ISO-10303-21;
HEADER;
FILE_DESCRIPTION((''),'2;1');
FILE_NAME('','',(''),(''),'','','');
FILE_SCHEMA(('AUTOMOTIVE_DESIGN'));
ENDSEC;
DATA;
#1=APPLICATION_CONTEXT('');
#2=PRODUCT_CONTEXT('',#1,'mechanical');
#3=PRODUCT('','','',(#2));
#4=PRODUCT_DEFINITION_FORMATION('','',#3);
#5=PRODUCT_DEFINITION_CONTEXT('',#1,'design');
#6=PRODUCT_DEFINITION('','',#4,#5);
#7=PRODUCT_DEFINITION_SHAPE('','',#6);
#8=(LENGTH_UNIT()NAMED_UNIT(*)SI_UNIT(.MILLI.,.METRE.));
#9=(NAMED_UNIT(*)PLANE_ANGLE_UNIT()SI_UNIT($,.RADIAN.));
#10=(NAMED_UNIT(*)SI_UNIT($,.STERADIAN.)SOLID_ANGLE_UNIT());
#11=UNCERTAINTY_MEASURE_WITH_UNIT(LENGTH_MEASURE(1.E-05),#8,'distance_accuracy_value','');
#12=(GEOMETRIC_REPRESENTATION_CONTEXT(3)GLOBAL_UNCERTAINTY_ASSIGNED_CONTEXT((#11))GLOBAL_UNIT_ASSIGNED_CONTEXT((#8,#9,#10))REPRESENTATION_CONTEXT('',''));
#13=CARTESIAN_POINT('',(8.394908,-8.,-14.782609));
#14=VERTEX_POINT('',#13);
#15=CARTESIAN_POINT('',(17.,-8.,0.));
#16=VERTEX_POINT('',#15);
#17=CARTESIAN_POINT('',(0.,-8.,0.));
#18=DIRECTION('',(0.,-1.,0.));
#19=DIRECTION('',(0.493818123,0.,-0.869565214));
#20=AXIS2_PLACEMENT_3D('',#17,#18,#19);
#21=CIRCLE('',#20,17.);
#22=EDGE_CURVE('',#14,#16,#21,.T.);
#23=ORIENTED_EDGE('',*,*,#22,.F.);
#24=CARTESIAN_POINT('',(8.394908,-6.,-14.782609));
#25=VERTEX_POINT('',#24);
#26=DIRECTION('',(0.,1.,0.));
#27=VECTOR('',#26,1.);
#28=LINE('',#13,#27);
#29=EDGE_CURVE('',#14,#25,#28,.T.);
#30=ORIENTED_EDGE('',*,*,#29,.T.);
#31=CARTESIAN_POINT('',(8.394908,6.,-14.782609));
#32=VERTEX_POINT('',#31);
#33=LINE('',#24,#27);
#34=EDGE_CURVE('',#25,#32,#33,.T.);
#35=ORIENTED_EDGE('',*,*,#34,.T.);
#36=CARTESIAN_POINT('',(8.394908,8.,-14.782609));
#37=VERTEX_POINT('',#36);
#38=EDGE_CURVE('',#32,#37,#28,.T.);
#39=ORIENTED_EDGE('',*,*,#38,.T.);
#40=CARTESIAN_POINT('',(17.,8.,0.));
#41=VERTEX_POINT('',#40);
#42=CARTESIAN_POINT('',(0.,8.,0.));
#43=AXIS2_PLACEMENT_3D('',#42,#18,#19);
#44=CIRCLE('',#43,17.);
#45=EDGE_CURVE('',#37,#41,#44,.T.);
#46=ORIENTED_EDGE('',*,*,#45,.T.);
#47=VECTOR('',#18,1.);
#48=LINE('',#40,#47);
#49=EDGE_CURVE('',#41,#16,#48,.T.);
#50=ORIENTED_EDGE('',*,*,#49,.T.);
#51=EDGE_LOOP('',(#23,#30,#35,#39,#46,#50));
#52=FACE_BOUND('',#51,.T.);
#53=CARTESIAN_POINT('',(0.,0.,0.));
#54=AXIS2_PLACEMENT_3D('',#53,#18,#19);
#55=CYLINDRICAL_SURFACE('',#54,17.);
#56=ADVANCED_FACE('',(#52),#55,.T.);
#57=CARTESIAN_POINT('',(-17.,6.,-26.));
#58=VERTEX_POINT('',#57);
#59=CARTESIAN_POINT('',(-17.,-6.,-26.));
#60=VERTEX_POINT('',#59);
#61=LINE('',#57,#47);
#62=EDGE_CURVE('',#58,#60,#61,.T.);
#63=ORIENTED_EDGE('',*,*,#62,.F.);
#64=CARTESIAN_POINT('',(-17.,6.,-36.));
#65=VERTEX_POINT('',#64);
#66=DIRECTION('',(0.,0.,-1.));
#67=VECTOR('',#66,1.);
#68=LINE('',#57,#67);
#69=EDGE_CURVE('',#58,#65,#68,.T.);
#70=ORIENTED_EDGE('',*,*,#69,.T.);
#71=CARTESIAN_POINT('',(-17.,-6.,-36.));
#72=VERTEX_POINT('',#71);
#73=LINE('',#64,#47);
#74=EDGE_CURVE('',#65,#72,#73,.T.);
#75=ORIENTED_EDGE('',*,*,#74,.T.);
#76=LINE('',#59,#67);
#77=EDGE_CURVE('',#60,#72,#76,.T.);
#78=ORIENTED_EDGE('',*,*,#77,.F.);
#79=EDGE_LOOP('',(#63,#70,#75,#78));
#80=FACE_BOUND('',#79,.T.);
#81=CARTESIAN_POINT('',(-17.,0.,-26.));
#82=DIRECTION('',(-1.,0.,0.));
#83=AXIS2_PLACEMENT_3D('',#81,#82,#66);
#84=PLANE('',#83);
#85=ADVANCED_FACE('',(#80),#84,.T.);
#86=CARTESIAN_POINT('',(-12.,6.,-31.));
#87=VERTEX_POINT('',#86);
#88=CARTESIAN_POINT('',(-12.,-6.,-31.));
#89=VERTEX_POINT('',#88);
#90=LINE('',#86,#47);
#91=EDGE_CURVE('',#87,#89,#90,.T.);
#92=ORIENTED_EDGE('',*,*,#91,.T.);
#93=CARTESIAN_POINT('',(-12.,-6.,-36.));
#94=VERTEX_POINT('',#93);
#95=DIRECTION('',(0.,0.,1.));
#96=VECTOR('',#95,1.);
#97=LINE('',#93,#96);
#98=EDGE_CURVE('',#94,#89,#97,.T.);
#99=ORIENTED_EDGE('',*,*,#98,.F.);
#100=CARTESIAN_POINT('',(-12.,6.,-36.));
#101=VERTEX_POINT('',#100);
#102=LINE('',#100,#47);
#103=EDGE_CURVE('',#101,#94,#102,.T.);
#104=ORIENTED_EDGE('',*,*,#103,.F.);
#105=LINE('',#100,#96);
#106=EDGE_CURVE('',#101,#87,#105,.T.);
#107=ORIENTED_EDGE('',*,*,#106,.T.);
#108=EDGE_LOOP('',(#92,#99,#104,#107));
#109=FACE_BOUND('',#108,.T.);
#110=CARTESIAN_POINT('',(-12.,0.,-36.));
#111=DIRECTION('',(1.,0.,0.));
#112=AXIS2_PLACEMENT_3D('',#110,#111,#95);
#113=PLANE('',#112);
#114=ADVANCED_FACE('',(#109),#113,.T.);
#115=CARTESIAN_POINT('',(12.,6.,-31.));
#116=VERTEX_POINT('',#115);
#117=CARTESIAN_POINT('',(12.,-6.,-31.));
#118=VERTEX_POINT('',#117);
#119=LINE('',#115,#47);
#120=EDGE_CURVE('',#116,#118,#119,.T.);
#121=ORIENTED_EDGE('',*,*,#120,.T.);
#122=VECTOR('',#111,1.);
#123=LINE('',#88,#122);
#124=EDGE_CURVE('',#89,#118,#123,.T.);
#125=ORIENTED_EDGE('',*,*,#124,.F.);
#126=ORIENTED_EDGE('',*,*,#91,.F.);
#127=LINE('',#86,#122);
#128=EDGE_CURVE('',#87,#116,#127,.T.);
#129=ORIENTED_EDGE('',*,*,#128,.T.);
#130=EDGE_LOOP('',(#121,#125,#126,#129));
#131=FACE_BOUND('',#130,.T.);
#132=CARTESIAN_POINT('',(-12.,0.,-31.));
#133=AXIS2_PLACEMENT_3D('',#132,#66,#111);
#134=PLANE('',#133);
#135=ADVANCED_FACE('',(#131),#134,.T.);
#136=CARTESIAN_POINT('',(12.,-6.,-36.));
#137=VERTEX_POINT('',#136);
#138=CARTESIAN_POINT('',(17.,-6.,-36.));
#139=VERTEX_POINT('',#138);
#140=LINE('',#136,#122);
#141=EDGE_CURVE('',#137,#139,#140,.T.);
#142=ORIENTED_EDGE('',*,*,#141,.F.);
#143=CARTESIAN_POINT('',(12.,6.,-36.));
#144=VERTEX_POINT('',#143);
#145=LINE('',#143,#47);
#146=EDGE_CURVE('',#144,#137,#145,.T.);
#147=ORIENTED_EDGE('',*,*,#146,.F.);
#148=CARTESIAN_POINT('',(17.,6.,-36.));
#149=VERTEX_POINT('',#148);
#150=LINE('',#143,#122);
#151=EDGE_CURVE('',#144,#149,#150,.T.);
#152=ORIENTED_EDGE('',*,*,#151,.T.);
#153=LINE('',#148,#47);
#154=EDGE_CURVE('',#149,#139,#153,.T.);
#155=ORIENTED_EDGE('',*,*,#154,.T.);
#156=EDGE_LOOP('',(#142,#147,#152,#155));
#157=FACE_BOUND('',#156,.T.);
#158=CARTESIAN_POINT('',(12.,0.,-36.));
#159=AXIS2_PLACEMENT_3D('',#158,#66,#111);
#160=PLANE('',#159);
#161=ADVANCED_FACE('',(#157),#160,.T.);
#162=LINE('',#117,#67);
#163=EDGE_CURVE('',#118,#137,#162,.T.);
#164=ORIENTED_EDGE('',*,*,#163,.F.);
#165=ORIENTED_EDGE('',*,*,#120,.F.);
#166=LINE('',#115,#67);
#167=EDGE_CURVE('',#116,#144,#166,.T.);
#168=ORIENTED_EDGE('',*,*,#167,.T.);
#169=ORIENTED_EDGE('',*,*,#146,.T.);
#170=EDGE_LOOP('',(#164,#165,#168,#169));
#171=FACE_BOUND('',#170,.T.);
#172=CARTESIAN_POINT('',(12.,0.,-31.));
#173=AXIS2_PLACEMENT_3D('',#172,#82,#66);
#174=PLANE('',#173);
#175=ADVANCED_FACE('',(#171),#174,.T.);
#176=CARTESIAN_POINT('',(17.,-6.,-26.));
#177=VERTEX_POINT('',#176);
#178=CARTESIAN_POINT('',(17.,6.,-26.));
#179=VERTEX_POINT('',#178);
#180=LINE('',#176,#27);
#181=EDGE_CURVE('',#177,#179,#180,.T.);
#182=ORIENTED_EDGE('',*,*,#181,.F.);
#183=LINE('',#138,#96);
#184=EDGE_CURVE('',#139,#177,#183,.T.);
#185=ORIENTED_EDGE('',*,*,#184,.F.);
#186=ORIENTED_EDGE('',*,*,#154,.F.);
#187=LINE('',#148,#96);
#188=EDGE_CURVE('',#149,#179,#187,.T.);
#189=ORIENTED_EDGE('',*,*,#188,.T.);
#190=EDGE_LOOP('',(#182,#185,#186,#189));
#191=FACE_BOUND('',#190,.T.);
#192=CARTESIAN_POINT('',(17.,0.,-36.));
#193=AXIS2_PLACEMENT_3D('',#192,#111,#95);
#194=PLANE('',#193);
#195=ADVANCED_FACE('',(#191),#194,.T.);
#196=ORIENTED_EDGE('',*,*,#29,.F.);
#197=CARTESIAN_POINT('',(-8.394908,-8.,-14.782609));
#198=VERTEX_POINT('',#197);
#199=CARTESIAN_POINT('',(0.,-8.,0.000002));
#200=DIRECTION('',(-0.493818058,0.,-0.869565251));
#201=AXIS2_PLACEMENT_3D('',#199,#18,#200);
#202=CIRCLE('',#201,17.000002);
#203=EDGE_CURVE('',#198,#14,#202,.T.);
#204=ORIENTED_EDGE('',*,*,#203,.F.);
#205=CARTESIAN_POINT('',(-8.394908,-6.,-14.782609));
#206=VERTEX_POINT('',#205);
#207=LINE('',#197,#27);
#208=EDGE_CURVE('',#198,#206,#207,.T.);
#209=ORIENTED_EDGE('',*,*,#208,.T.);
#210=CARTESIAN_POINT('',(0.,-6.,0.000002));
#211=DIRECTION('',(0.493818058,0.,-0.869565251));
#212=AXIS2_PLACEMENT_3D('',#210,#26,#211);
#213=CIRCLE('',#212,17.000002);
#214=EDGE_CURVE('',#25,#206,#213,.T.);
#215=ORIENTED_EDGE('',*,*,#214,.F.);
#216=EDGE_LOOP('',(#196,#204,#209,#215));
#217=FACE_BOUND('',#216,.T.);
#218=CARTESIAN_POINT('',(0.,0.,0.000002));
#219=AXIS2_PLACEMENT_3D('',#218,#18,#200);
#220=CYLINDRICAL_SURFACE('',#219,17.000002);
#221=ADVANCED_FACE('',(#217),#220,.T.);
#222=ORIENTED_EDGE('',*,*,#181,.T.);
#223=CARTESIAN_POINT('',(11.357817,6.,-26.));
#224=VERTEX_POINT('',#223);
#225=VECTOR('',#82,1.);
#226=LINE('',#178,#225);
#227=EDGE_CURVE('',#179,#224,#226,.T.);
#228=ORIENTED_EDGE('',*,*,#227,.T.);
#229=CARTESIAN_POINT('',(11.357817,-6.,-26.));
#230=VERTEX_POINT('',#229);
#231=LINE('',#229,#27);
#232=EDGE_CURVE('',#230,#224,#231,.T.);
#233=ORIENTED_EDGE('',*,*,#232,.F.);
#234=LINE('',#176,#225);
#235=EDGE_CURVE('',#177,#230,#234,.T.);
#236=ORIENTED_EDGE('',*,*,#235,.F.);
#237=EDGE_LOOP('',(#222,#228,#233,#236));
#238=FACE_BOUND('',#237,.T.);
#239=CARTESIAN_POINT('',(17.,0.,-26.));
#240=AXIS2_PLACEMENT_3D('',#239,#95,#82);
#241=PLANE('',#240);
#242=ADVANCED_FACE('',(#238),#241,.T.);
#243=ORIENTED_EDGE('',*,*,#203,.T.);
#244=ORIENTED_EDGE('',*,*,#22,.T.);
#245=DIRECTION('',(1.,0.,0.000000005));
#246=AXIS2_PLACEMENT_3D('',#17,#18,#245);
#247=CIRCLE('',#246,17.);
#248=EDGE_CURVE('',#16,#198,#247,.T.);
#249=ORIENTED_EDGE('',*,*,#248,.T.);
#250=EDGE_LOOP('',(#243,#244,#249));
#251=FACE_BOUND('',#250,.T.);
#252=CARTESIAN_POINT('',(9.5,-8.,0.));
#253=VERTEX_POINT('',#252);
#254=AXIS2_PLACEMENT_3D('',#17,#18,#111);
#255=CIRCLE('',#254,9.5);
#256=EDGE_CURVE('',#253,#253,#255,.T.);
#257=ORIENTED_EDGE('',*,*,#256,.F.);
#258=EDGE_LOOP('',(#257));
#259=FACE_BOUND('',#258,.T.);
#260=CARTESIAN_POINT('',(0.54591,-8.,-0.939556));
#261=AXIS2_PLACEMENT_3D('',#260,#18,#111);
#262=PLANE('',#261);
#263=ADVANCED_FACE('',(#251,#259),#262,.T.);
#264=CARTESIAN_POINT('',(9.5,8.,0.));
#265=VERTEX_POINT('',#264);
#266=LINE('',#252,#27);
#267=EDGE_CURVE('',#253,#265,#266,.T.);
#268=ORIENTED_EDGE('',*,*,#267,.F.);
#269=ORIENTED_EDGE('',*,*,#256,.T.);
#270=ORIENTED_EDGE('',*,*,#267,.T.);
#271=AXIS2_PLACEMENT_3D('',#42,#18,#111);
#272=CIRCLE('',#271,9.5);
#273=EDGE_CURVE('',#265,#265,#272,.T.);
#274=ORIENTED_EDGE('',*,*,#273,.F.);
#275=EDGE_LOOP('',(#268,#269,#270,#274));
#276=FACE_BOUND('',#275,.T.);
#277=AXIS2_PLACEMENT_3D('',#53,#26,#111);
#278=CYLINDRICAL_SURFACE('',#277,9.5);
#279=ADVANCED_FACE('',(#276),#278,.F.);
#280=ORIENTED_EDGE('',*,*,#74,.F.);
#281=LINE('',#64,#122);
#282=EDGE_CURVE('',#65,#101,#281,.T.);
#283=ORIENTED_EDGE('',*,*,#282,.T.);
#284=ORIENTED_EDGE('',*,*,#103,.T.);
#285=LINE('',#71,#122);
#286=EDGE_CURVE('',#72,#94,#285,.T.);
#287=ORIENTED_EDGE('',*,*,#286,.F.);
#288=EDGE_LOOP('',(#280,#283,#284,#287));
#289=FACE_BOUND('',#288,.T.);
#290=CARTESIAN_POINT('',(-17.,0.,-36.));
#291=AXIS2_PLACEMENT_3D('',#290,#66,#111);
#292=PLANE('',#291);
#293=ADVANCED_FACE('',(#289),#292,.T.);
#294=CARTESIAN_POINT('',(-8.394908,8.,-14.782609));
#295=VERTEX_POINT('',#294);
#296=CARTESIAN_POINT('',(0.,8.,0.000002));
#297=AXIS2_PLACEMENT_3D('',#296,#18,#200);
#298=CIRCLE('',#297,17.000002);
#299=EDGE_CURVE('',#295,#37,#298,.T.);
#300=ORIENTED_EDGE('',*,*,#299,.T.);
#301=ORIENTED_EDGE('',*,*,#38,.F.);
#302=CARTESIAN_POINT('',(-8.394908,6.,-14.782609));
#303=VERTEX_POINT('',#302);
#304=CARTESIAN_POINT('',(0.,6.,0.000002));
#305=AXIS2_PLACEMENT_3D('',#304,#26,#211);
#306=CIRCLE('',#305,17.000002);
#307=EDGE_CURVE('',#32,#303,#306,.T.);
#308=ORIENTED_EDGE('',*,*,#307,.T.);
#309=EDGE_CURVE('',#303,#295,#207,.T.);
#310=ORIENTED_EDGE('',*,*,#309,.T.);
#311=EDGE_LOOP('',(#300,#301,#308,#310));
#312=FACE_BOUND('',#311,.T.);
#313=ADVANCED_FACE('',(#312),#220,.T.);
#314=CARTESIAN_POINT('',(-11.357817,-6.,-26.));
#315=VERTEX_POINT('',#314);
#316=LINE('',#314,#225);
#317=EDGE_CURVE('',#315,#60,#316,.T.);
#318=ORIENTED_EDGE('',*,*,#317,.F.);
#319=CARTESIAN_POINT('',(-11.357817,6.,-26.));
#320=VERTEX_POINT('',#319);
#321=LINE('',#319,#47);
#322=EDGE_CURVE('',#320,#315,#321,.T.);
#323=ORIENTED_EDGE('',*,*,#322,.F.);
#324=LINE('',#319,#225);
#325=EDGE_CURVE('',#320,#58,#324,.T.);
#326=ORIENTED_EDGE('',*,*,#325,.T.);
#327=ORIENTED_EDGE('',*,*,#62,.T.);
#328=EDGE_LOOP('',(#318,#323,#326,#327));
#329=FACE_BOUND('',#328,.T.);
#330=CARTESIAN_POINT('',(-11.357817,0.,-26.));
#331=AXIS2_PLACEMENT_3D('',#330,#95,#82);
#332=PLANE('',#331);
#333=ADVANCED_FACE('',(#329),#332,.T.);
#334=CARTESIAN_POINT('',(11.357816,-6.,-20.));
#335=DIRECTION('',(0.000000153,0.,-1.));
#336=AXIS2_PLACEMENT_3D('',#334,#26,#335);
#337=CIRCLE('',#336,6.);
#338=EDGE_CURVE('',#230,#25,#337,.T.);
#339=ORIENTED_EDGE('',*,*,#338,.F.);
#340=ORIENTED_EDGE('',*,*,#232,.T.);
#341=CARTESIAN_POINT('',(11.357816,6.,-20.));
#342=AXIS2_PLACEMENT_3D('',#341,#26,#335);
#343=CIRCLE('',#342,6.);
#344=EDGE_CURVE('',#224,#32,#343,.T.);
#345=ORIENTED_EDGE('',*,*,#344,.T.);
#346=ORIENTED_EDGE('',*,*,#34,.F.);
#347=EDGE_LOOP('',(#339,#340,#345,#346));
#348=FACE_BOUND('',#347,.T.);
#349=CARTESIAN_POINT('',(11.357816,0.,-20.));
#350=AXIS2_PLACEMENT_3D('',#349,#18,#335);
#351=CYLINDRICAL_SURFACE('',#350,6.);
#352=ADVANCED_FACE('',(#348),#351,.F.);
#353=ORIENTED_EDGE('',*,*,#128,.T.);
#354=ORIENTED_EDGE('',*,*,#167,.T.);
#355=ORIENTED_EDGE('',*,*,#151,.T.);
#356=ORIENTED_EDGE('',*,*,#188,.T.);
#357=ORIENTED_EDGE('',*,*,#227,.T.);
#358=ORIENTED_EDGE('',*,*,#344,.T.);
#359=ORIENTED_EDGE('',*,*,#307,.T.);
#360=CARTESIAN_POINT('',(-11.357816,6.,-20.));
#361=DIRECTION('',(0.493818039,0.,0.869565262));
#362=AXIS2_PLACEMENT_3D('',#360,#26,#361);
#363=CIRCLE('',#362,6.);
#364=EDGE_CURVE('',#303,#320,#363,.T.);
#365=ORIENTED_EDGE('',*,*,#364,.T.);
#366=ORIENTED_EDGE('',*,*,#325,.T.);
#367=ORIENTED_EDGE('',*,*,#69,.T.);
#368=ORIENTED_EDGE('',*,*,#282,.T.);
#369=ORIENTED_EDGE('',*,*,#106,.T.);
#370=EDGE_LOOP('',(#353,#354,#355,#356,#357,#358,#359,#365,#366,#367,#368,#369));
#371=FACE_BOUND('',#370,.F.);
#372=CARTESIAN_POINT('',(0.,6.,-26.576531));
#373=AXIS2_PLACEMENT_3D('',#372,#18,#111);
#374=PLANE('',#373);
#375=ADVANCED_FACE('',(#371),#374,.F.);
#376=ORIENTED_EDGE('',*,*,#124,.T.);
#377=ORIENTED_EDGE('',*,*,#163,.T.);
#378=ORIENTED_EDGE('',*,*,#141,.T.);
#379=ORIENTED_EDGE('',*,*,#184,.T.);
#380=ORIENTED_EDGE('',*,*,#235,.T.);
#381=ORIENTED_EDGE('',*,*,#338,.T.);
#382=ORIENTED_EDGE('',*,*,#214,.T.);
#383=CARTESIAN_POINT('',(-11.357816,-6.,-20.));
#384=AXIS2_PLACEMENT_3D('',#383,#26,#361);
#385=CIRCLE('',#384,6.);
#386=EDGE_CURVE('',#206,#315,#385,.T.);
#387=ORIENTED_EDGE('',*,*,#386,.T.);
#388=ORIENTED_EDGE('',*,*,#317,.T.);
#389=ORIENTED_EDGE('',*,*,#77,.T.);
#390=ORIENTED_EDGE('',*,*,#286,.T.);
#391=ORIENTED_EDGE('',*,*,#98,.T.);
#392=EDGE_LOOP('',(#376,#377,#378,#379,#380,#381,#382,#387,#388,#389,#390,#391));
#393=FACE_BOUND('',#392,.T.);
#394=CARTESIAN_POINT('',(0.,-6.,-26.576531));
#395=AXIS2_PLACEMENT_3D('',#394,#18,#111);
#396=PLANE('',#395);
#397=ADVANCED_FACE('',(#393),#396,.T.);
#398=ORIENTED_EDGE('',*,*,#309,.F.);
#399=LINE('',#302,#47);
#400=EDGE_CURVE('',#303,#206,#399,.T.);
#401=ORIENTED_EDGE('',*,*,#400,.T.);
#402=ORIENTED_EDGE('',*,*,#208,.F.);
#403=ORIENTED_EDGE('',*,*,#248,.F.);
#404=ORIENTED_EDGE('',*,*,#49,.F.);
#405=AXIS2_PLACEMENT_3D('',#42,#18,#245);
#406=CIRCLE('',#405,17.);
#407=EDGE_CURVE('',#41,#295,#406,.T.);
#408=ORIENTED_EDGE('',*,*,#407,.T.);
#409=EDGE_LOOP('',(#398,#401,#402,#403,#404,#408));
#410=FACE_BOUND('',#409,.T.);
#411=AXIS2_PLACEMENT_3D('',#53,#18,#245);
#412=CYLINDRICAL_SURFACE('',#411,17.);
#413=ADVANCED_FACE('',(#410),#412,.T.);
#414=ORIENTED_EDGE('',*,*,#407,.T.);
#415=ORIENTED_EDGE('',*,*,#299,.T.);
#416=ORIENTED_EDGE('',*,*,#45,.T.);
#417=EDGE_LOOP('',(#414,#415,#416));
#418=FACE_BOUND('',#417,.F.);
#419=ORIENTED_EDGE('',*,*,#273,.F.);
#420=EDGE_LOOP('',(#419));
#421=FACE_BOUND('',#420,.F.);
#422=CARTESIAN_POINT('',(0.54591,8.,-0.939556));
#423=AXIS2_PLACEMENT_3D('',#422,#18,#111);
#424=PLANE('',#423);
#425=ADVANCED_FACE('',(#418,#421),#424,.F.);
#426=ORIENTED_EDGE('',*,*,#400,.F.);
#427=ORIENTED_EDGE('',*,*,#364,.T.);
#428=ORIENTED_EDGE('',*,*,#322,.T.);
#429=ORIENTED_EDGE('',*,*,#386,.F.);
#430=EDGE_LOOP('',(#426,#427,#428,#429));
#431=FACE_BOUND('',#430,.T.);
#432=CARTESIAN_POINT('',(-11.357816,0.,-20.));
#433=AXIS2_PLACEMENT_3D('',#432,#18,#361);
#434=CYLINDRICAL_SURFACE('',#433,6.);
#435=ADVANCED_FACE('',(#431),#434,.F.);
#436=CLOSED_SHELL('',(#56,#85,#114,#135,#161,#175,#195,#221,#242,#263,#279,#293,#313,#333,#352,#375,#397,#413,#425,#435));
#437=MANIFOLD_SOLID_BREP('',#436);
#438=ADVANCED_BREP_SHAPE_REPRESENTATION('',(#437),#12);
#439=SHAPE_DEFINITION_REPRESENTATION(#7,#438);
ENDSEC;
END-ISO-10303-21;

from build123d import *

# Parameters (mm, degrees)
F1_DEPTH = 6
F0_R     = 9.5
F2_DEPTH = 8


with BuildPart() as f1:
    # F0 (on Front) → F1 (new body, symmetric)
    with BuildSketch(Plane.XZ):
        with BuildLine():
            ThreePointArc((8.394908, -14.782609), (0, -17), (-8.394908, -14.782609))
            ThreePointArc((-8.394908, -14.782609), (-5.556767, -21.532262), (-11.357817, -26))
            Line((-11.357817, -26), (-17, -26))
            Line((-17, -26), (-17, -36))
            Line((-17, -36), (-12, -36))
            Line((-12, -36), (-12, -31))
            Line((-12, -31), (12, -31))
            Line((12, -31), (12, -36))
            Line((12, -36), (17, -36))
            Line((17, -36), (17, -26))
            Line((17, -26), (11.357817, -26))
            ThreePointArc((11.357817, -26), (5.556767, -21.532262), (8.394908, -14.782609))
        make_face()
    extrude(amount=F1_DEPTH, both=True)

    # F0 (on Front) → F2 (join, symmetric)
    with BuildSketch(Plane.XZ):
        with BuildLine():
            ThreePointArc((8.394908, -14.782609), (14.692063, -8.552385), (17, 0))
            ThreePointArc((17, 0), (-8.552385, 14.692063), (-8.394908, -14.782609))
            ThreePointArc((-8.394908, -14.782609), (0, -17), (8.394908, -14.782609))
        make_face()
        Circle(F0_R, mode=Mode.SUBTRACT)
    extrude(amount=F2_DEPTH, both=True)


solid = f1.part
